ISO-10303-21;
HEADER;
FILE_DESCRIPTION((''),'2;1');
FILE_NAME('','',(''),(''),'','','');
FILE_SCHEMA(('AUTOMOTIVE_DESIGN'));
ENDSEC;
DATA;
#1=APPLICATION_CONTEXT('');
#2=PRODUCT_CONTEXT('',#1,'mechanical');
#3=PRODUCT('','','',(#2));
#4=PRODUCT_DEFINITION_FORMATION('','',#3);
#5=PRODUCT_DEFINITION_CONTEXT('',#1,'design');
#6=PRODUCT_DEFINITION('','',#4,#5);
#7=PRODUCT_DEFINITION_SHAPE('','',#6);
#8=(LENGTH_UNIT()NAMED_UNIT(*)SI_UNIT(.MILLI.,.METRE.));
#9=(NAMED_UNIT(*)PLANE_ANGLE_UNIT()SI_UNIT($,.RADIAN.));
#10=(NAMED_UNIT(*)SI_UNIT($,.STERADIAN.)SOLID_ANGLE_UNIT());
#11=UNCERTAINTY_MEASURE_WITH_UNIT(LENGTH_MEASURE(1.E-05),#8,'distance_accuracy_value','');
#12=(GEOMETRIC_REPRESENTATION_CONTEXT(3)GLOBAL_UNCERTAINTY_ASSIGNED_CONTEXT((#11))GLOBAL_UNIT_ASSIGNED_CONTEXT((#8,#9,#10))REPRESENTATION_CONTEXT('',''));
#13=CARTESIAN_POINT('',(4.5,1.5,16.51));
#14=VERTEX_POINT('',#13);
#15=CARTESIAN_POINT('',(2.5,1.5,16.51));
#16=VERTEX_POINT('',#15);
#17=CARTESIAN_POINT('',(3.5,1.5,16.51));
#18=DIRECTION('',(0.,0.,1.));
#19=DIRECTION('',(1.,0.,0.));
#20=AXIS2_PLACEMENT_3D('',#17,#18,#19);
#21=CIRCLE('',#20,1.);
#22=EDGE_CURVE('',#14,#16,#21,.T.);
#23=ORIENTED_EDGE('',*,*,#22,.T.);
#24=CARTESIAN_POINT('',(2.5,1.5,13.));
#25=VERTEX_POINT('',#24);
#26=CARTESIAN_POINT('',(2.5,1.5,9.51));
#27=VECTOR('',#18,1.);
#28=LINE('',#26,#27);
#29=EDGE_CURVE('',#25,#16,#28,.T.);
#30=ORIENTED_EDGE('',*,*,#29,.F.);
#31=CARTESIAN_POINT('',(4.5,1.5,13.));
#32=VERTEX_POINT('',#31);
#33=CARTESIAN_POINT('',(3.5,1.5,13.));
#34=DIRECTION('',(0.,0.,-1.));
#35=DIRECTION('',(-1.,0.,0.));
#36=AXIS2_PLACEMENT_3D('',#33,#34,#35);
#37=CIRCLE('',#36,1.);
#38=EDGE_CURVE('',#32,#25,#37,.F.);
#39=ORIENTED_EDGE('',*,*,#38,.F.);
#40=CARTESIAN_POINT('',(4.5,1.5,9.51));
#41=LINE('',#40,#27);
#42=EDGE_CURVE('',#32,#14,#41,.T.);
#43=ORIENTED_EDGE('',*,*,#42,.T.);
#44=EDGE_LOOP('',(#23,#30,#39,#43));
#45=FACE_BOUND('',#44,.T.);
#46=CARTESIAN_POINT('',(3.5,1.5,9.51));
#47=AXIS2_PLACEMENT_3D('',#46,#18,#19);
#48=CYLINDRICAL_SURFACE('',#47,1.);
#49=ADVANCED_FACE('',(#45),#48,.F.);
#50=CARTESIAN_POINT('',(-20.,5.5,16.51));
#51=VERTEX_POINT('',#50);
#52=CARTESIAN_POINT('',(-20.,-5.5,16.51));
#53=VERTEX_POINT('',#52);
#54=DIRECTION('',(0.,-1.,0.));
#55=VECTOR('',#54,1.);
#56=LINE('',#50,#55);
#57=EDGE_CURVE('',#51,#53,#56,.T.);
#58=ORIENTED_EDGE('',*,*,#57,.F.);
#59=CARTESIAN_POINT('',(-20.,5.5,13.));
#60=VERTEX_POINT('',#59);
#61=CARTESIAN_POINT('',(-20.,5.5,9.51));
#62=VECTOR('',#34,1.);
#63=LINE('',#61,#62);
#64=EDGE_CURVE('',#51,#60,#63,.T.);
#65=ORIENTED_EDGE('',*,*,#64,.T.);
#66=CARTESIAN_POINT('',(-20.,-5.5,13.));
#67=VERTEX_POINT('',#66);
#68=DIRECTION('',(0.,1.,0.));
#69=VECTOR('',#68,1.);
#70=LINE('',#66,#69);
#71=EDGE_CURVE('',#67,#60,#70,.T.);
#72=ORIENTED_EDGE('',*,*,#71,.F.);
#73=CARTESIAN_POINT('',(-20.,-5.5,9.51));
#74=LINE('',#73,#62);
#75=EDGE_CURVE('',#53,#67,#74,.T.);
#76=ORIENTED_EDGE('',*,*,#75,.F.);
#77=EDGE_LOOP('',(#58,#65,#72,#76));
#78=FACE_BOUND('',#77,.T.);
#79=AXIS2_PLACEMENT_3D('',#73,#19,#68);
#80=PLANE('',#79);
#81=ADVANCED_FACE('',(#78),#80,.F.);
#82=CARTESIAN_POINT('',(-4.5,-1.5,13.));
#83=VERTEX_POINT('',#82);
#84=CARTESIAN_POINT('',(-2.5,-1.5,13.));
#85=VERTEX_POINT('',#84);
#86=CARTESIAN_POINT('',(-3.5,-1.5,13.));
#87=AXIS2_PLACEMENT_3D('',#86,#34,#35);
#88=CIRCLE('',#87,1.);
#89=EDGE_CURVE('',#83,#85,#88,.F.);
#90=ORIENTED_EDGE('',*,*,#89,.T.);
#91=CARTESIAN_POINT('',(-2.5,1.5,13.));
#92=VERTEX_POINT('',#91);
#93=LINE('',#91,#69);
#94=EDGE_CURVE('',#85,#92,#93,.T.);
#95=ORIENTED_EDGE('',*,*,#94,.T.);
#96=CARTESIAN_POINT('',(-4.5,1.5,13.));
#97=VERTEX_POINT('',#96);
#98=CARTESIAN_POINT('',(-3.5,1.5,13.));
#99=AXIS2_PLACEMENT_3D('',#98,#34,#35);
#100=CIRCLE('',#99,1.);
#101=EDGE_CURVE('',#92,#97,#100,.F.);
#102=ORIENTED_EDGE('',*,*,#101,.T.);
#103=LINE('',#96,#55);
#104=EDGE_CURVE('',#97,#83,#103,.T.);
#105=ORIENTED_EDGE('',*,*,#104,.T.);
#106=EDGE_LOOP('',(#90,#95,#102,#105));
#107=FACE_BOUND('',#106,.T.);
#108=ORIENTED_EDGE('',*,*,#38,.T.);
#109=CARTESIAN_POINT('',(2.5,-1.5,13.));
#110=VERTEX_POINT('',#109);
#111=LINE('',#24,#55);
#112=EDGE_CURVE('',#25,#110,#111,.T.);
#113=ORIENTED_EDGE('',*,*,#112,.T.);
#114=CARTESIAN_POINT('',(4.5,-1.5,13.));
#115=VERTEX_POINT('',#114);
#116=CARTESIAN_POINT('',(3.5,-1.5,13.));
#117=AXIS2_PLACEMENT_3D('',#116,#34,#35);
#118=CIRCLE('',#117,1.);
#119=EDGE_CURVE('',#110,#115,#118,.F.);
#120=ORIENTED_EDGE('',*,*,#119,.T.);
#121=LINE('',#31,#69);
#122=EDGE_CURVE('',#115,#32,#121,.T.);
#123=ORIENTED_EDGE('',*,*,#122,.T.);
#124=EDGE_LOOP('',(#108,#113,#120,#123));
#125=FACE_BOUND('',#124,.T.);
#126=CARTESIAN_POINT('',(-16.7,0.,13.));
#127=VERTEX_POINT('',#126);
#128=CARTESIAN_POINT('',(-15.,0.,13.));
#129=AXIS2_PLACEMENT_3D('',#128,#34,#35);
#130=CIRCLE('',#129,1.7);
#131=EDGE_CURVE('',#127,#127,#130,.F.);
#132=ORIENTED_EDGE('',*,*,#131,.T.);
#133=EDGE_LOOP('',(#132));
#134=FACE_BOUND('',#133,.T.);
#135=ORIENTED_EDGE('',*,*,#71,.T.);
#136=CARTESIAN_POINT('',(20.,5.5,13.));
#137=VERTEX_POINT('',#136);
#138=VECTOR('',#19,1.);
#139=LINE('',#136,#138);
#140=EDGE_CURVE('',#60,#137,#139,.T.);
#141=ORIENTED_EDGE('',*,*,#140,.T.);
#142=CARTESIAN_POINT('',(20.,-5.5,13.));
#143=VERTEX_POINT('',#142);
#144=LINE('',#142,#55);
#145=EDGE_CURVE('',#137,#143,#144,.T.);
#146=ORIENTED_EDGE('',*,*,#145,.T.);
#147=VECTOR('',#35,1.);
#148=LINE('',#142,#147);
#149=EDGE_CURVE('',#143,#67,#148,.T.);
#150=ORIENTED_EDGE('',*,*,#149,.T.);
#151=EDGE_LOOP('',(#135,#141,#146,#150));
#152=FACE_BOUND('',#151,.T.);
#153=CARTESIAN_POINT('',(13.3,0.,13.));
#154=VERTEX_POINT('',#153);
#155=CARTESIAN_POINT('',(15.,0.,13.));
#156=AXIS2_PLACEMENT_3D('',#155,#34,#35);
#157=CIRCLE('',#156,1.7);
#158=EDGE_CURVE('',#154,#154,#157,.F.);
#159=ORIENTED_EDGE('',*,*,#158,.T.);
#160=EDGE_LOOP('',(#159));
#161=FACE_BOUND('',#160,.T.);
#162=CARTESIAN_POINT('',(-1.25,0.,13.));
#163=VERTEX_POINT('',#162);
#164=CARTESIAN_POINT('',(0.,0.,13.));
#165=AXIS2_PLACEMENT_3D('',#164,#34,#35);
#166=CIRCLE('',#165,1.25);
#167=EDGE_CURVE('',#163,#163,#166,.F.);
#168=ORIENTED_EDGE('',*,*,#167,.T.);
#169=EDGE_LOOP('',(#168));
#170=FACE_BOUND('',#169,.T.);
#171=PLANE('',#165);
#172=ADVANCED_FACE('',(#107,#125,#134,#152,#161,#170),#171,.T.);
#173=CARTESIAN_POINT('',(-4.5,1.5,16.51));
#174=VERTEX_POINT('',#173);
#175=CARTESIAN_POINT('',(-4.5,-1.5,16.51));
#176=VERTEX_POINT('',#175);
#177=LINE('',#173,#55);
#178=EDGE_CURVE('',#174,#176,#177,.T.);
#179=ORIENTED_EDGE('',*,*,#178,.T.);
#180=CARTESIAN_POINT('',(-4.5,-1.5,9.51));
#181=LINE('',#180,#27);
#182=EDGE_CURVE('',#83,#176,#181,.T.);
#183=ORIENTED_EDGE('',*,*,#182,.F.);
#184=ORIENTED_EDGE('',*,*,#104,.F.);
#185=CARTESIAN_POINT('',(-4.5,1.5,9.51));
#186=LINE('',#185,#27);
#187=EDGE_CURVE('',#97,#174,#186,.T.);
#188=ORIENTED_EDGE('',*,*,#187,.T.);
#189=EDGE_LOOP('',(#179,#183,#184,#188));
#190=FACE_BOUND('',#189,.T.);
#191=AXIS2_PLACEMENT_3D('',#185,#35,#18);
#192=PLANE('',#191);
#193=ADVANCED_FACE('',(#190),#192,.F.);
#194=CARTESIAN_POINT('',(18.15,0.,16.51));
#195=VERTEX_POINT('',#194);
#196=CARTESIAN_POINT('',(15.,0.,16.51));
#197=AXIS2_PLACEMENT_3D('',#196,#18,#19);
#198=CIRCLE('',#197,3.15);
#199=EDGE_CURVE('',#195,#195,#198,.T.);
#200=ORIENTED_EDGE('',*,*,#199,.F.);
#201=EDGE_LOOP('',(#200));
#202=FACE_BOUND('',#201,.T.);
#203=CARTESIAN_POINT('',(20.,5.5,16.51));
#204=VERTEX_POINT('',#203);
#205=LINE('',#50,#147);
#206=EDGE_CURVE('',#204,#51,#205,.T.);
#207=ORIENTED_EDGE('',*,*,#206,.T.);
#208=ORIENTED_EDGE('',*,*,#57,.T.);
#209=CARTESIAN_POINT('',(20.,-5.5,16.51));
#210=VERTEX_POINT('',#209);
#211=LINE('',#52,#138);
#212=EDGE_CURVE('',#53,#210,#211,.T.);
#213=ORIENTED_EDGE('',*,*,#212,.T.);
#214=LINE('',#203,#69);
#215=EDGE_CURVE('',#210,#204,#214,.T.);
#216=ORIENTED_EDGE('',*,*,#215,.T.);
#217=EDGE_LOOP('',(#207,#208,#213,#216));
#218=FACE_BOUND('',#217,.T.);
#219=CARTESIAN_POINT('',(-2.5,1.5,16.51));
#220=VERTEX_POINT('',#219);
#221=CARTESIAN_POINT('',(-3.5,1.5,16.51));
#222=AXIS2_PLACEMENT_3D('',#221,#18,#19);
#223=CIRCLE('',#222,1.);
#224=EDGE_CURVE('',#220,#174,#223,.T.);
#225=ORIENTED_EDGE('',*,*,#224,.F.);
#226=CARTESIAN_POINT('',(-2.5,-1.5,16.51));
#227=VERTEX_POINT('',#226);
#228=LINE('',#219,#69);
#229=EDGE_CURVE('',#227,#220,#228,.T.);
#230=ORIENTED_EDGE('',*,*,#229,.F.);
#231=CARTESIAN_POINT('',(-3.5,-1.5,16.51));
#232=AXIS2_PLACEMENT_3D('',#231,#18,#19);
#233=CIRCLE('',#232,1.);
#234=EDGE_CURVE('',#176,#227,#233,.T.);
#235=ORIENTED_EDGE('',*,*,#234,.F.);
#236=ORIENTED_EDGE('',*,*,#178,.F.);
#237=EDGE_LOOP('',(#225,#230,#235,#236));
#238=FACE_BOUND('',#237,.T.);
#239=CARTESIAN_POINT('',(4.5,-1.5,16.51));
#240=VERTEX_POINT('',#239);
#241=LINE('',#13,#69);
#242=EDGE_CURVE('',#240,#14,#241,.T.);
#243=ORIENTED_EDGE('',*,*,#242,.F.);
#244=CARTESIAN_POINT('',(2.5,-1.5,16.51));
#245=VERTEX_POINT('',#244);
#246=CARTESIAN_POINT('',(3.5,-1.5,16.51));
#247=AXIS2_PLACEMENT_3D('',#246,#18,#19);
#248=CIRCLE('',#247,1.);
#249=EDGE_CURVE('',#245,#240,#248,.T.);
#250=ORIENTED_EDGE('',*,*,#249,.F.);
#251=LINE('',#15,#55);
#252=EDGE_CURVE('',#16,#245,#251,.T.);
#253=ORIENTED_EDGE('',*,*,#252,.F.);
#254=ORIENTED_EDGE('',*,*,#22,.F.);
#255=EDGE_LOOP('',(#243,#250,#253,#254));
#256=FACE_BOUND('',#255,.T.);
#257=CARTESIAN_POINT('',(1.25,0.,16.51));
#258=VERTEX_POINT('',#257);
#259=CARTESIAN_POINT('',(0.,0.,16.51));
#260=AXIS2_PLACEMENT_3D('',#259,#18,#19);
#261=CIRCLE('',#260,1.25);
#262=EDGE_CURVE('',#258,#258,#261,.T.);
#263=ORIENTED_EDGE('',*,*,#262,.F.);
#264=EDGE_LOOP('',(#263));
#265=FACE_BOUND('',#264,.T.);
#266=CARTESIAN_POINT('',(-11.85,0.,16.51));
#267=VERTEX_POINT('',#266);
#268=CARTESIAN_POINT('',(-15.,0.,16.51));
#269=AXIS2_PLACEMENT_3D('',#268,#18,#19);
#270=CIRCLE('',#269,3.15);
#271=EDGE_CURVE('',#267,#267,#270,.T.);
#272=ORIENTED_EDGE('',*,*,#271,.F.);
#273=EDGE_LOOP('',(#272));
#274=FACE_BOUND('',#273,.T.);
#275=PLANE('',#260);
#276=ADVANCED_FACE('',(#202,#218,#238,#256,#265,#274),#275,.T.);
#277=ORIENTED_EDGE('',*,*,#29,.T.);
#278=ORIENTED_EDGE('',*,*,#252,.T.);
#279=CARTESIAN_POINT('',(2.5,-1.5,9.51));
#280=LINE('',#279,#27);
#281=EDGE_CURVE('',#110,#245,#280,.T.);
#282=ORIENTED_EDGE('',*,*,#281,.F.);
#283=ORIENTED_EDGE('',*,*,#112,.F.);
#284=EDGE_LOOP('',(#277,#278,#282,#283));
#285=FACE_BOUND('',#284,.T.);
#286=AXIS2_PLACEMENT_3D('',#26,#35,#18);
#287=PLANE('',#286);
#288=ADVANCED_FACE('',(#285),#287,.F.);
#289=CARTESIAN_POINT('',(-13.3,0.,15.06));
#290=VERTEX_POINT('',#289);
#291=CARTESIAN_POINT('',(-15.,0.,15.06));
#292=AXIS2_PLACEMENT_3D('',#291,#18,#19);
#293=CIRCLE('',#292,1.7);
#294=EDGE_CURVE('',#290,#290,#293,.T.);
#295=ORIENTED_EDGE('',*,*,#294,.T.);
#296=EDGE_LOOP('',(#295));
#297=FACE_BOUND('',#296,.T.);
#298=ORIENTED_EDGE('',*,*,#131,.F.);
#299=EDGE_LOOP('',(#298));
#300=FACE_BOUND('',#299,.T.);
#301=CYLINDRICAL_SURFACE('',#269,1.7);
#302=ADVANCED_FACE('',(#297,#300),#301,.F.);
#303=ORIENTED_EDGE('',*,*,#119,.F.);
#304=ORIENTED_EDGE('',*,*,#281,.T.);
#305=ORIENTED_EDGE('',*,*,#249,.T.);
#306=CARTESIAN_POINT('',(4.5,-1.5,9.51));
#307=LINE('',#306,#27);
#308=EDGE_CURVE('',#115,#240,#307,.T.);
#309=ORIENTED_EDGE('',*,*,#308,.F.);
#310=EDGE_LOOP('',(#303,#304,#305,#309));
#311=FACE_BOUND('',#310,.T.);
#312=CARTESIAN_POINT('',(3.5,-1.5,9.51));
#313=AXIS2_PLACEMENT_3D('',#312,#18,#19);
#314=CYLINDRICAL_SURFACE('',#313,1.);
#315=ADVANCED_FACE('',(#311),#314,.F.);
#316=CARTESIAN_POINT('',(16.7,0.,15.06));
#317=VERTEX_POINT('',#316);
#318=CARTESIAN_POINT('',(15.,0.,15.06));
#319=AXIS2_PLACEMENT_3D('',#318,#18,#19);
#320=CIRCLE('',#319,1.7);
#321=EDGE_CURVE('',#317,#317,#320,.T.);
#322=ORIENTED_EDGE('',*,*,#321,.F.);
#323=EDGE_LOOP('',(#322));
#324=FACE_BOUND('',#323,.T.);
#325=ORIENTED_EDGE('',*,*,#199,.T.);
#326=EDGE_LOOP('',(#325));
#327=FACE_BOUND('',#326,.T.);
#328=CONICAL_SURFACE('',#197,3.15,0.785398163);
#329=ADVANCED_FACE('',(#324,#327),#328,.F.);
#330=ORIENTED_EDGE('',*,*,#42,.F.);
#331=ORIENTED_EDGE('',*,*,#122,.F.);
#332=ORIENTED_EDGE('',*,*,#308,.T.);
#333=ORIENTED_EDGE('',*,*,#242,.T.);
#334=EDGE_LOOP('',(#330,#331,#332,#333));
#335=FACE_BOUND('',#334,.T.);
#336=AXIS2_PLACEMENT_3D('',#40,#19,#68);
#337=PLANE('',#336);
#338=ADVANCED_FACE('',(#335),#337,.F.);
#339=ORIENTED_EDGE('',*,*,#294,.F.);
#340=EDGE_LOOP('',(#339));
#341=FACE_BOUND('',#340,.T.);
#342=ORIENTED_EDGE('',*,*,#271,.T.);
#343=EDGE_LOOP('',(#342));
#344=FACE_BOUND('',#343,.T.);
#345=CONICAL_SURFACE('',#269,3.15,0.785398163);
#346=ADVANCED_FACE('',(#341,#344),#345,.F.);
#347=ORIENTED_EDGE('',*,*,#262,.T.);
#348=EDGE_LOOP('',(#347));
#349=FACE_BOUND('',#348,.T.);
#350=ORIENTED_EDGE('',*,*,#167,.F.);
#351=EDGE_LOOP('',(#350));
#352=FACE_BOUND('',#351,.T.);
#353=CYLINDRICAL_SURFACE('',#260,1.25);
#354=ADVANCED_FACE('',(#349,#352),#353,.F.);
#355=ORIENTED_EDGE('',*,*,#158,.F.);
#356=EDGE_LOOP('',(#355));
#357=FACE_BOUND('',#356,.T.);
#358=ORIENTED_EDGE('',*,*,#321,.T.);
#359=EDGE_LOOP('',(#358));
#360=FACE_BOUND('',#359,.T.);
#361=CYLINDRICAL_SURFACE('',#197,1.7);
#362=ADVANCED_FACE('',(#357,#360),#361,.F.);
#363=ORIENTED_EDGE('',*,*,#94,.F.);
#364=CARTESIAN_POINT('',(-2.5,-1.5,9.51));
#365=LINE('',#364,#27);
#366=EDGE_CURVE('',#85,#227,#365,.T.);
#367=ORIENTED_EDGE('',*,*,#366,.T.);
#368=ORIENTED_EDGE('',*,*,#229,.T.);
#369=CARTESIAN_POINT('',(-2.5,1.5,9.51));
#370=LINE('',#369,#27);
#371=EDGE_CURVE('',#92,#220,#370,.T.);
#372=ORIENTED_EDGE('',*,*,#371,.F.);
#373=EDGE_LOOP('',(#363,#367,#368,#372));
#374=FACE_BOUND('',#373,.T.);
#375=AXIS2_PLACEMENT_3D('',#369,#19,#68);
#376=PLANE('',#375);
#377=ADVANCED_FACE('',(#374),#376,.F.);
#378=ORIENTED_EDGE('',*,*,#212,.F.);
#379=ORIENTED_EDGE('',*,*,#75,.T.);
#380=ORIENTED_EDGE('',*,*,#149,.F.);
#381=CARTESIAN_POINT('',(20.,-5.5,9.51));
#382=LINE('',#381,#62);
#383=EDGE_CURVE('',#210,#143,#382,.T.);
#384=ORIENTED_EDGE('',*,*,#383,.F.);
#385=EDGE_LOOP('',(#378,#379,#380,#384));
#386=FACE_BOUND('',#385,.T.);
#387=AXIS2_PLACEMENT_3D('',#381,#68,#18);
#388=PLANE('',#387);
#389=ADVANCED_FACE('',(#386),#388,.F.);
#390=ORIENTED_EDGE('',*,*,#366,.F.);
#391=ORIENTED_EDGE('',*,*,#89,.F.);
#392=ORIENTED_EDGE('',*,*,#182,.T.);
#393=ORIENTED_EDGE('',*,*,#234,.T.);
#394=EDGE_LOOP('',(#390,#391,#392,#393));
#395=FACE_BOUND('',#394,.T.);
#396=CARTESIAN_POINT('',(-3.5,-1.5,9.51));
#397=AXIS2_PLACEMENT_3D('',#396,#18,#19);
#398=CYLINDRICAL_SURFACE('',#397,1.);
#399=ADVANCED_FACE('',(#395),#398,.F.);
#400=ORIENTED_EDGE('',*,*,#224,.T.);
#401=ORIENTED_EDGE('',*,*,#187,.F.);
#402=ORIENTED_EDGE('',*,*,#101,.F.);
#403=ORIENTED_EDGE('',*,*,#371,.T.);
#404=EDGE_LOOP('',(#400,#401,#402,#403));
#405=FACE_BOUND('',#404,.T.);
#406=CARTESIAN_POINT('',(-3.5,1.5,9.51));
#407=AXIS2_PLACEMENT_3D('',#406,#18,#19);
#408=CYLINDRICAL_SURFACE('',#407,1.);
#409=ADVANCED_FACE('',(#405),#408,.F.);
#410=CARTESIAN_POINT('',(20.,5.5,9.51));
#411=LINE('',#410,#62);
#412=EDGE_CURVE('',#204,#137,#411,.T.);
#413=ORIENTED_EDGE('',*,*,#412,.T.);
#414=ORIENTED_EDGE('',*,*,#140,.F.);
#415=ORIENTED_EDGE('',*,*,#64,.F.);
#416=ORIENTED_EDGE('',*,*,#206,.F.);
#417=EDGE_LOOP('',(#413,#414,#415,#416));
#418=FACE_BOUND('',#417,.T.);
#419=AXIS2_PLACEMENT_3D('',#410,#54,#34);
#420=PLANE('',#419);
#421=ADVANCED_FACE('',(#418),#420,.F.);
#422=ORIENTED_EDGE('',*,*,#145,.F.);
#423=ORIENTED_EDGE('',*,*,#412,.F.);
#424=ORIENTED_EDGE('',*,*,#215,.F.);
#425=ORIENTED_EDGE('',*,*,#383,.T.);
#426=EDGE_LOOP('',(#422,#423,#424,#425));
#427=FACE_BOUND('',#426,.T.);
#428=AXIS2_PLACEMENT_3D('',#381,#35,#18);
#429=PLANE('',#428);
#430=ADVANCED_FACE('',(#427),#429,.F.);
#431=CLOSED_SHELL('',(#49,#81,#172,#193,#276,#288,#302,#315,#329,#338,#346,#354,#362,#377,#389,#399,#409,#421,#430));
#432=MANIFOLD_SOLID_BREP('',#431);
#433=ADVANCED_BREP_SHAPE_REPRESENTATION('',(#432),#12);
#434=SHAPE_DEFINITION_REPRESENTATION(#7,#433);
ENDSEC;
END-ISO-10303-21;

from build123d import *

# Parameters (mm, degrees)
ESQUISSE1_W                                        = 40
ESQUISSE1_H                                        = 11
ESQUISSE1_R                                        = 4
BOSS_EXTRU_1_DEPTH                                 = 9.51
ESQUISSE16_W                                       = 40
ESQUISSE16_H                                       = 11
BOSS_EXTRU_2_DEPTH                                 = 7
D_GAGEMENT_M32_D                                   = 2.5
ENL_V_MAT_EXTRU_1_DEPTH                            = 7
CHAMBRAGE_POUR_VIS_T_TE_RONDE_BOMB_E_M_D           = 3.4
CHAMBRAGE_POUR_VIS_T_TE_RONDE_BOMB_E_M_CBORE_D     = 6
CHAMBRAGE_POUR_VIS_T_TE_RONDE_BOMB_E_M_CBORE_DEPTH = 2.4
FRAISAGE_POUR_VIS_T_TE_FRAIS_E_M31_D               = 3.4
FRAISAGE_POUR_VIS_T_TE_FRAIS_E_M31_DEPTH           = 6
FRAISAGE_POUR_VIS_T_TE_FRAIS_E_M31_CSINK_D         = 6.3
FRAISAGE_POUR_VIS_T_TE_FRAIS_E_M31_CSINK_ANGLE     = 90
FRAISAGE_POUR_VIS_T_TE_FRAIS_E_M31_TIP             = 1.021463052
ESQUISSE33_W                                       = 53.617438424
ESQUISSE33_H                                       = 31.43157248
ENL_V_MAT_EXTRU_4_DEPTH                            = 13


with BuildPart() as part:
    # Esquisse1 → Boss.-Extru.1 (new body)
    with BuildSketch(Plane.XY):
        Rectangle(ESQUISSE1_W, ESQUISSE1_H)
        Circle(ESQUISSE1_R, mode=Mode.SUBTRACT)
    extrude(amount=BOSS_EXTRU_1_DEPTH)

    # Esquisse16 → Boss.-Extru.2 (add)
    with BuildSketch(Plane.XY.offset(9.51)):
        Rectangle(ESQUISSE16_W, ESQUISSE16_H)
    extrude(amount=BOSS_EXTRU_2_DEPTH)

    # Dégagement M32 (through all)
    with Locations(Plane.XY.offset(16.51)):
        with Locations((0, 0)):
            Hole(D_GAGEMENT_M32_D / 2)

    # Esquisse19 → Enlèv. mat.-Extru.1 (cut)
    with BuildSketch(Plane.XY.offset(16.51)):
        with BuildLine():
            Line((-2.5, 1.5), (-2.5, -1.5))
            ThreePointArc((-2.5, -1.5), (-3.5, -2.5), (-4.5, -1.5))
            Line((-4.5, -1.5), (-4.5, 1.5))
            ThreePointArc((-4.5, 1.5), (-3.5, 2.5), (-2.5, 1.5))
        make_face()
        with BuildLine():
            Line((4.5, 1.5), (4.5, -1.5))
            ThreePointArc((4.5, -1.5), (3.5, -2.5), (2.5, -1.5))
            Line((2.5, -1.5), (2.5, 1.5))
            ThreePointArc((2.5, 1.5), (3.5, 2.5), (4.5, 1.5))
        make_face()
    extrude(amount=-ENL_V_MAT_EXTRU_1_DEPTH, mode=Mode.SUBTRACT)

    # Chambrage pour vis _ t_te ronde bomb_e M (through all)
    with Locations(Plane(origin=(0, 5.5, 0), x_dir=(1, 0, 0), z_dir=(0, 1, 0))):
        with Locations((14, -6.51), (-14, -6.51)):
            CounterBoreHole(CHAMBRAGE_POUR_VIS_T_TE_RONDE_BOMB_E_M_D / 2, CHAMBRAGE_POUR_VIS_T_TE_RONDE_BOMB_E_M_CBORE_D / 2, CHAMBRAGE_POUR_VIS_T_TE_RONDE_BOMB_E_M_CBORE_DEPTH)

    # Fraisage pour vis à tête fraisée M31
    with Locations(Plane.XY.offset(16.51)):
        with Locations((-15, 0), (15, 0)):
            CounterSinkHole(FRAISAGE_POUR_VIS_T_TE_FRAIS_E_M31_D / 2, FRAISAGE_POUR_VIS_T_TE_FRAIS_E_M31_CSINK_D / 2, depth=FRAISAGE_POUR_VIS_T_TE_FRAIS_E_M31_DEPTH, counter_sink_angle=FRAISAGE_POUR_VIS_T_TE_FRAIS_E_M31_CSINK_ANGLE)
            with Locations((0, 0, -(FRAISAGE_POUR_VIS_T_TE_FRAIS_E_M31_DEPTH + FRAISAGE_POUR_VIS_T_TE_FRAIS_E_M31_TIP / 2))):  # 118° drill point
                Cone(0, FRAISAGE_POUR_VIS_T_TE_FRAIS_E_M31_D / 2, FRAISAGE_POUR_VIS_T_TE_FRAIS_E_M31_TIP, mode=Mode.SUBTRACT)

    # Esquisse33 → Enlèv. mat.-Extru.4 (cut)
    with BuildSketch(Plane(origin=(0, 0, 0), x_dir=(-1, 0, 0), z_dir=(0, 0, -1))):
        Rectangle(ESQUISSE33_W, ESQUISSE33_H)
    extrude(amount=-ENL_V_MAT_EXTRU_4_DEPTH, mode=Mode.SUBTRACT)


solid = part.part
